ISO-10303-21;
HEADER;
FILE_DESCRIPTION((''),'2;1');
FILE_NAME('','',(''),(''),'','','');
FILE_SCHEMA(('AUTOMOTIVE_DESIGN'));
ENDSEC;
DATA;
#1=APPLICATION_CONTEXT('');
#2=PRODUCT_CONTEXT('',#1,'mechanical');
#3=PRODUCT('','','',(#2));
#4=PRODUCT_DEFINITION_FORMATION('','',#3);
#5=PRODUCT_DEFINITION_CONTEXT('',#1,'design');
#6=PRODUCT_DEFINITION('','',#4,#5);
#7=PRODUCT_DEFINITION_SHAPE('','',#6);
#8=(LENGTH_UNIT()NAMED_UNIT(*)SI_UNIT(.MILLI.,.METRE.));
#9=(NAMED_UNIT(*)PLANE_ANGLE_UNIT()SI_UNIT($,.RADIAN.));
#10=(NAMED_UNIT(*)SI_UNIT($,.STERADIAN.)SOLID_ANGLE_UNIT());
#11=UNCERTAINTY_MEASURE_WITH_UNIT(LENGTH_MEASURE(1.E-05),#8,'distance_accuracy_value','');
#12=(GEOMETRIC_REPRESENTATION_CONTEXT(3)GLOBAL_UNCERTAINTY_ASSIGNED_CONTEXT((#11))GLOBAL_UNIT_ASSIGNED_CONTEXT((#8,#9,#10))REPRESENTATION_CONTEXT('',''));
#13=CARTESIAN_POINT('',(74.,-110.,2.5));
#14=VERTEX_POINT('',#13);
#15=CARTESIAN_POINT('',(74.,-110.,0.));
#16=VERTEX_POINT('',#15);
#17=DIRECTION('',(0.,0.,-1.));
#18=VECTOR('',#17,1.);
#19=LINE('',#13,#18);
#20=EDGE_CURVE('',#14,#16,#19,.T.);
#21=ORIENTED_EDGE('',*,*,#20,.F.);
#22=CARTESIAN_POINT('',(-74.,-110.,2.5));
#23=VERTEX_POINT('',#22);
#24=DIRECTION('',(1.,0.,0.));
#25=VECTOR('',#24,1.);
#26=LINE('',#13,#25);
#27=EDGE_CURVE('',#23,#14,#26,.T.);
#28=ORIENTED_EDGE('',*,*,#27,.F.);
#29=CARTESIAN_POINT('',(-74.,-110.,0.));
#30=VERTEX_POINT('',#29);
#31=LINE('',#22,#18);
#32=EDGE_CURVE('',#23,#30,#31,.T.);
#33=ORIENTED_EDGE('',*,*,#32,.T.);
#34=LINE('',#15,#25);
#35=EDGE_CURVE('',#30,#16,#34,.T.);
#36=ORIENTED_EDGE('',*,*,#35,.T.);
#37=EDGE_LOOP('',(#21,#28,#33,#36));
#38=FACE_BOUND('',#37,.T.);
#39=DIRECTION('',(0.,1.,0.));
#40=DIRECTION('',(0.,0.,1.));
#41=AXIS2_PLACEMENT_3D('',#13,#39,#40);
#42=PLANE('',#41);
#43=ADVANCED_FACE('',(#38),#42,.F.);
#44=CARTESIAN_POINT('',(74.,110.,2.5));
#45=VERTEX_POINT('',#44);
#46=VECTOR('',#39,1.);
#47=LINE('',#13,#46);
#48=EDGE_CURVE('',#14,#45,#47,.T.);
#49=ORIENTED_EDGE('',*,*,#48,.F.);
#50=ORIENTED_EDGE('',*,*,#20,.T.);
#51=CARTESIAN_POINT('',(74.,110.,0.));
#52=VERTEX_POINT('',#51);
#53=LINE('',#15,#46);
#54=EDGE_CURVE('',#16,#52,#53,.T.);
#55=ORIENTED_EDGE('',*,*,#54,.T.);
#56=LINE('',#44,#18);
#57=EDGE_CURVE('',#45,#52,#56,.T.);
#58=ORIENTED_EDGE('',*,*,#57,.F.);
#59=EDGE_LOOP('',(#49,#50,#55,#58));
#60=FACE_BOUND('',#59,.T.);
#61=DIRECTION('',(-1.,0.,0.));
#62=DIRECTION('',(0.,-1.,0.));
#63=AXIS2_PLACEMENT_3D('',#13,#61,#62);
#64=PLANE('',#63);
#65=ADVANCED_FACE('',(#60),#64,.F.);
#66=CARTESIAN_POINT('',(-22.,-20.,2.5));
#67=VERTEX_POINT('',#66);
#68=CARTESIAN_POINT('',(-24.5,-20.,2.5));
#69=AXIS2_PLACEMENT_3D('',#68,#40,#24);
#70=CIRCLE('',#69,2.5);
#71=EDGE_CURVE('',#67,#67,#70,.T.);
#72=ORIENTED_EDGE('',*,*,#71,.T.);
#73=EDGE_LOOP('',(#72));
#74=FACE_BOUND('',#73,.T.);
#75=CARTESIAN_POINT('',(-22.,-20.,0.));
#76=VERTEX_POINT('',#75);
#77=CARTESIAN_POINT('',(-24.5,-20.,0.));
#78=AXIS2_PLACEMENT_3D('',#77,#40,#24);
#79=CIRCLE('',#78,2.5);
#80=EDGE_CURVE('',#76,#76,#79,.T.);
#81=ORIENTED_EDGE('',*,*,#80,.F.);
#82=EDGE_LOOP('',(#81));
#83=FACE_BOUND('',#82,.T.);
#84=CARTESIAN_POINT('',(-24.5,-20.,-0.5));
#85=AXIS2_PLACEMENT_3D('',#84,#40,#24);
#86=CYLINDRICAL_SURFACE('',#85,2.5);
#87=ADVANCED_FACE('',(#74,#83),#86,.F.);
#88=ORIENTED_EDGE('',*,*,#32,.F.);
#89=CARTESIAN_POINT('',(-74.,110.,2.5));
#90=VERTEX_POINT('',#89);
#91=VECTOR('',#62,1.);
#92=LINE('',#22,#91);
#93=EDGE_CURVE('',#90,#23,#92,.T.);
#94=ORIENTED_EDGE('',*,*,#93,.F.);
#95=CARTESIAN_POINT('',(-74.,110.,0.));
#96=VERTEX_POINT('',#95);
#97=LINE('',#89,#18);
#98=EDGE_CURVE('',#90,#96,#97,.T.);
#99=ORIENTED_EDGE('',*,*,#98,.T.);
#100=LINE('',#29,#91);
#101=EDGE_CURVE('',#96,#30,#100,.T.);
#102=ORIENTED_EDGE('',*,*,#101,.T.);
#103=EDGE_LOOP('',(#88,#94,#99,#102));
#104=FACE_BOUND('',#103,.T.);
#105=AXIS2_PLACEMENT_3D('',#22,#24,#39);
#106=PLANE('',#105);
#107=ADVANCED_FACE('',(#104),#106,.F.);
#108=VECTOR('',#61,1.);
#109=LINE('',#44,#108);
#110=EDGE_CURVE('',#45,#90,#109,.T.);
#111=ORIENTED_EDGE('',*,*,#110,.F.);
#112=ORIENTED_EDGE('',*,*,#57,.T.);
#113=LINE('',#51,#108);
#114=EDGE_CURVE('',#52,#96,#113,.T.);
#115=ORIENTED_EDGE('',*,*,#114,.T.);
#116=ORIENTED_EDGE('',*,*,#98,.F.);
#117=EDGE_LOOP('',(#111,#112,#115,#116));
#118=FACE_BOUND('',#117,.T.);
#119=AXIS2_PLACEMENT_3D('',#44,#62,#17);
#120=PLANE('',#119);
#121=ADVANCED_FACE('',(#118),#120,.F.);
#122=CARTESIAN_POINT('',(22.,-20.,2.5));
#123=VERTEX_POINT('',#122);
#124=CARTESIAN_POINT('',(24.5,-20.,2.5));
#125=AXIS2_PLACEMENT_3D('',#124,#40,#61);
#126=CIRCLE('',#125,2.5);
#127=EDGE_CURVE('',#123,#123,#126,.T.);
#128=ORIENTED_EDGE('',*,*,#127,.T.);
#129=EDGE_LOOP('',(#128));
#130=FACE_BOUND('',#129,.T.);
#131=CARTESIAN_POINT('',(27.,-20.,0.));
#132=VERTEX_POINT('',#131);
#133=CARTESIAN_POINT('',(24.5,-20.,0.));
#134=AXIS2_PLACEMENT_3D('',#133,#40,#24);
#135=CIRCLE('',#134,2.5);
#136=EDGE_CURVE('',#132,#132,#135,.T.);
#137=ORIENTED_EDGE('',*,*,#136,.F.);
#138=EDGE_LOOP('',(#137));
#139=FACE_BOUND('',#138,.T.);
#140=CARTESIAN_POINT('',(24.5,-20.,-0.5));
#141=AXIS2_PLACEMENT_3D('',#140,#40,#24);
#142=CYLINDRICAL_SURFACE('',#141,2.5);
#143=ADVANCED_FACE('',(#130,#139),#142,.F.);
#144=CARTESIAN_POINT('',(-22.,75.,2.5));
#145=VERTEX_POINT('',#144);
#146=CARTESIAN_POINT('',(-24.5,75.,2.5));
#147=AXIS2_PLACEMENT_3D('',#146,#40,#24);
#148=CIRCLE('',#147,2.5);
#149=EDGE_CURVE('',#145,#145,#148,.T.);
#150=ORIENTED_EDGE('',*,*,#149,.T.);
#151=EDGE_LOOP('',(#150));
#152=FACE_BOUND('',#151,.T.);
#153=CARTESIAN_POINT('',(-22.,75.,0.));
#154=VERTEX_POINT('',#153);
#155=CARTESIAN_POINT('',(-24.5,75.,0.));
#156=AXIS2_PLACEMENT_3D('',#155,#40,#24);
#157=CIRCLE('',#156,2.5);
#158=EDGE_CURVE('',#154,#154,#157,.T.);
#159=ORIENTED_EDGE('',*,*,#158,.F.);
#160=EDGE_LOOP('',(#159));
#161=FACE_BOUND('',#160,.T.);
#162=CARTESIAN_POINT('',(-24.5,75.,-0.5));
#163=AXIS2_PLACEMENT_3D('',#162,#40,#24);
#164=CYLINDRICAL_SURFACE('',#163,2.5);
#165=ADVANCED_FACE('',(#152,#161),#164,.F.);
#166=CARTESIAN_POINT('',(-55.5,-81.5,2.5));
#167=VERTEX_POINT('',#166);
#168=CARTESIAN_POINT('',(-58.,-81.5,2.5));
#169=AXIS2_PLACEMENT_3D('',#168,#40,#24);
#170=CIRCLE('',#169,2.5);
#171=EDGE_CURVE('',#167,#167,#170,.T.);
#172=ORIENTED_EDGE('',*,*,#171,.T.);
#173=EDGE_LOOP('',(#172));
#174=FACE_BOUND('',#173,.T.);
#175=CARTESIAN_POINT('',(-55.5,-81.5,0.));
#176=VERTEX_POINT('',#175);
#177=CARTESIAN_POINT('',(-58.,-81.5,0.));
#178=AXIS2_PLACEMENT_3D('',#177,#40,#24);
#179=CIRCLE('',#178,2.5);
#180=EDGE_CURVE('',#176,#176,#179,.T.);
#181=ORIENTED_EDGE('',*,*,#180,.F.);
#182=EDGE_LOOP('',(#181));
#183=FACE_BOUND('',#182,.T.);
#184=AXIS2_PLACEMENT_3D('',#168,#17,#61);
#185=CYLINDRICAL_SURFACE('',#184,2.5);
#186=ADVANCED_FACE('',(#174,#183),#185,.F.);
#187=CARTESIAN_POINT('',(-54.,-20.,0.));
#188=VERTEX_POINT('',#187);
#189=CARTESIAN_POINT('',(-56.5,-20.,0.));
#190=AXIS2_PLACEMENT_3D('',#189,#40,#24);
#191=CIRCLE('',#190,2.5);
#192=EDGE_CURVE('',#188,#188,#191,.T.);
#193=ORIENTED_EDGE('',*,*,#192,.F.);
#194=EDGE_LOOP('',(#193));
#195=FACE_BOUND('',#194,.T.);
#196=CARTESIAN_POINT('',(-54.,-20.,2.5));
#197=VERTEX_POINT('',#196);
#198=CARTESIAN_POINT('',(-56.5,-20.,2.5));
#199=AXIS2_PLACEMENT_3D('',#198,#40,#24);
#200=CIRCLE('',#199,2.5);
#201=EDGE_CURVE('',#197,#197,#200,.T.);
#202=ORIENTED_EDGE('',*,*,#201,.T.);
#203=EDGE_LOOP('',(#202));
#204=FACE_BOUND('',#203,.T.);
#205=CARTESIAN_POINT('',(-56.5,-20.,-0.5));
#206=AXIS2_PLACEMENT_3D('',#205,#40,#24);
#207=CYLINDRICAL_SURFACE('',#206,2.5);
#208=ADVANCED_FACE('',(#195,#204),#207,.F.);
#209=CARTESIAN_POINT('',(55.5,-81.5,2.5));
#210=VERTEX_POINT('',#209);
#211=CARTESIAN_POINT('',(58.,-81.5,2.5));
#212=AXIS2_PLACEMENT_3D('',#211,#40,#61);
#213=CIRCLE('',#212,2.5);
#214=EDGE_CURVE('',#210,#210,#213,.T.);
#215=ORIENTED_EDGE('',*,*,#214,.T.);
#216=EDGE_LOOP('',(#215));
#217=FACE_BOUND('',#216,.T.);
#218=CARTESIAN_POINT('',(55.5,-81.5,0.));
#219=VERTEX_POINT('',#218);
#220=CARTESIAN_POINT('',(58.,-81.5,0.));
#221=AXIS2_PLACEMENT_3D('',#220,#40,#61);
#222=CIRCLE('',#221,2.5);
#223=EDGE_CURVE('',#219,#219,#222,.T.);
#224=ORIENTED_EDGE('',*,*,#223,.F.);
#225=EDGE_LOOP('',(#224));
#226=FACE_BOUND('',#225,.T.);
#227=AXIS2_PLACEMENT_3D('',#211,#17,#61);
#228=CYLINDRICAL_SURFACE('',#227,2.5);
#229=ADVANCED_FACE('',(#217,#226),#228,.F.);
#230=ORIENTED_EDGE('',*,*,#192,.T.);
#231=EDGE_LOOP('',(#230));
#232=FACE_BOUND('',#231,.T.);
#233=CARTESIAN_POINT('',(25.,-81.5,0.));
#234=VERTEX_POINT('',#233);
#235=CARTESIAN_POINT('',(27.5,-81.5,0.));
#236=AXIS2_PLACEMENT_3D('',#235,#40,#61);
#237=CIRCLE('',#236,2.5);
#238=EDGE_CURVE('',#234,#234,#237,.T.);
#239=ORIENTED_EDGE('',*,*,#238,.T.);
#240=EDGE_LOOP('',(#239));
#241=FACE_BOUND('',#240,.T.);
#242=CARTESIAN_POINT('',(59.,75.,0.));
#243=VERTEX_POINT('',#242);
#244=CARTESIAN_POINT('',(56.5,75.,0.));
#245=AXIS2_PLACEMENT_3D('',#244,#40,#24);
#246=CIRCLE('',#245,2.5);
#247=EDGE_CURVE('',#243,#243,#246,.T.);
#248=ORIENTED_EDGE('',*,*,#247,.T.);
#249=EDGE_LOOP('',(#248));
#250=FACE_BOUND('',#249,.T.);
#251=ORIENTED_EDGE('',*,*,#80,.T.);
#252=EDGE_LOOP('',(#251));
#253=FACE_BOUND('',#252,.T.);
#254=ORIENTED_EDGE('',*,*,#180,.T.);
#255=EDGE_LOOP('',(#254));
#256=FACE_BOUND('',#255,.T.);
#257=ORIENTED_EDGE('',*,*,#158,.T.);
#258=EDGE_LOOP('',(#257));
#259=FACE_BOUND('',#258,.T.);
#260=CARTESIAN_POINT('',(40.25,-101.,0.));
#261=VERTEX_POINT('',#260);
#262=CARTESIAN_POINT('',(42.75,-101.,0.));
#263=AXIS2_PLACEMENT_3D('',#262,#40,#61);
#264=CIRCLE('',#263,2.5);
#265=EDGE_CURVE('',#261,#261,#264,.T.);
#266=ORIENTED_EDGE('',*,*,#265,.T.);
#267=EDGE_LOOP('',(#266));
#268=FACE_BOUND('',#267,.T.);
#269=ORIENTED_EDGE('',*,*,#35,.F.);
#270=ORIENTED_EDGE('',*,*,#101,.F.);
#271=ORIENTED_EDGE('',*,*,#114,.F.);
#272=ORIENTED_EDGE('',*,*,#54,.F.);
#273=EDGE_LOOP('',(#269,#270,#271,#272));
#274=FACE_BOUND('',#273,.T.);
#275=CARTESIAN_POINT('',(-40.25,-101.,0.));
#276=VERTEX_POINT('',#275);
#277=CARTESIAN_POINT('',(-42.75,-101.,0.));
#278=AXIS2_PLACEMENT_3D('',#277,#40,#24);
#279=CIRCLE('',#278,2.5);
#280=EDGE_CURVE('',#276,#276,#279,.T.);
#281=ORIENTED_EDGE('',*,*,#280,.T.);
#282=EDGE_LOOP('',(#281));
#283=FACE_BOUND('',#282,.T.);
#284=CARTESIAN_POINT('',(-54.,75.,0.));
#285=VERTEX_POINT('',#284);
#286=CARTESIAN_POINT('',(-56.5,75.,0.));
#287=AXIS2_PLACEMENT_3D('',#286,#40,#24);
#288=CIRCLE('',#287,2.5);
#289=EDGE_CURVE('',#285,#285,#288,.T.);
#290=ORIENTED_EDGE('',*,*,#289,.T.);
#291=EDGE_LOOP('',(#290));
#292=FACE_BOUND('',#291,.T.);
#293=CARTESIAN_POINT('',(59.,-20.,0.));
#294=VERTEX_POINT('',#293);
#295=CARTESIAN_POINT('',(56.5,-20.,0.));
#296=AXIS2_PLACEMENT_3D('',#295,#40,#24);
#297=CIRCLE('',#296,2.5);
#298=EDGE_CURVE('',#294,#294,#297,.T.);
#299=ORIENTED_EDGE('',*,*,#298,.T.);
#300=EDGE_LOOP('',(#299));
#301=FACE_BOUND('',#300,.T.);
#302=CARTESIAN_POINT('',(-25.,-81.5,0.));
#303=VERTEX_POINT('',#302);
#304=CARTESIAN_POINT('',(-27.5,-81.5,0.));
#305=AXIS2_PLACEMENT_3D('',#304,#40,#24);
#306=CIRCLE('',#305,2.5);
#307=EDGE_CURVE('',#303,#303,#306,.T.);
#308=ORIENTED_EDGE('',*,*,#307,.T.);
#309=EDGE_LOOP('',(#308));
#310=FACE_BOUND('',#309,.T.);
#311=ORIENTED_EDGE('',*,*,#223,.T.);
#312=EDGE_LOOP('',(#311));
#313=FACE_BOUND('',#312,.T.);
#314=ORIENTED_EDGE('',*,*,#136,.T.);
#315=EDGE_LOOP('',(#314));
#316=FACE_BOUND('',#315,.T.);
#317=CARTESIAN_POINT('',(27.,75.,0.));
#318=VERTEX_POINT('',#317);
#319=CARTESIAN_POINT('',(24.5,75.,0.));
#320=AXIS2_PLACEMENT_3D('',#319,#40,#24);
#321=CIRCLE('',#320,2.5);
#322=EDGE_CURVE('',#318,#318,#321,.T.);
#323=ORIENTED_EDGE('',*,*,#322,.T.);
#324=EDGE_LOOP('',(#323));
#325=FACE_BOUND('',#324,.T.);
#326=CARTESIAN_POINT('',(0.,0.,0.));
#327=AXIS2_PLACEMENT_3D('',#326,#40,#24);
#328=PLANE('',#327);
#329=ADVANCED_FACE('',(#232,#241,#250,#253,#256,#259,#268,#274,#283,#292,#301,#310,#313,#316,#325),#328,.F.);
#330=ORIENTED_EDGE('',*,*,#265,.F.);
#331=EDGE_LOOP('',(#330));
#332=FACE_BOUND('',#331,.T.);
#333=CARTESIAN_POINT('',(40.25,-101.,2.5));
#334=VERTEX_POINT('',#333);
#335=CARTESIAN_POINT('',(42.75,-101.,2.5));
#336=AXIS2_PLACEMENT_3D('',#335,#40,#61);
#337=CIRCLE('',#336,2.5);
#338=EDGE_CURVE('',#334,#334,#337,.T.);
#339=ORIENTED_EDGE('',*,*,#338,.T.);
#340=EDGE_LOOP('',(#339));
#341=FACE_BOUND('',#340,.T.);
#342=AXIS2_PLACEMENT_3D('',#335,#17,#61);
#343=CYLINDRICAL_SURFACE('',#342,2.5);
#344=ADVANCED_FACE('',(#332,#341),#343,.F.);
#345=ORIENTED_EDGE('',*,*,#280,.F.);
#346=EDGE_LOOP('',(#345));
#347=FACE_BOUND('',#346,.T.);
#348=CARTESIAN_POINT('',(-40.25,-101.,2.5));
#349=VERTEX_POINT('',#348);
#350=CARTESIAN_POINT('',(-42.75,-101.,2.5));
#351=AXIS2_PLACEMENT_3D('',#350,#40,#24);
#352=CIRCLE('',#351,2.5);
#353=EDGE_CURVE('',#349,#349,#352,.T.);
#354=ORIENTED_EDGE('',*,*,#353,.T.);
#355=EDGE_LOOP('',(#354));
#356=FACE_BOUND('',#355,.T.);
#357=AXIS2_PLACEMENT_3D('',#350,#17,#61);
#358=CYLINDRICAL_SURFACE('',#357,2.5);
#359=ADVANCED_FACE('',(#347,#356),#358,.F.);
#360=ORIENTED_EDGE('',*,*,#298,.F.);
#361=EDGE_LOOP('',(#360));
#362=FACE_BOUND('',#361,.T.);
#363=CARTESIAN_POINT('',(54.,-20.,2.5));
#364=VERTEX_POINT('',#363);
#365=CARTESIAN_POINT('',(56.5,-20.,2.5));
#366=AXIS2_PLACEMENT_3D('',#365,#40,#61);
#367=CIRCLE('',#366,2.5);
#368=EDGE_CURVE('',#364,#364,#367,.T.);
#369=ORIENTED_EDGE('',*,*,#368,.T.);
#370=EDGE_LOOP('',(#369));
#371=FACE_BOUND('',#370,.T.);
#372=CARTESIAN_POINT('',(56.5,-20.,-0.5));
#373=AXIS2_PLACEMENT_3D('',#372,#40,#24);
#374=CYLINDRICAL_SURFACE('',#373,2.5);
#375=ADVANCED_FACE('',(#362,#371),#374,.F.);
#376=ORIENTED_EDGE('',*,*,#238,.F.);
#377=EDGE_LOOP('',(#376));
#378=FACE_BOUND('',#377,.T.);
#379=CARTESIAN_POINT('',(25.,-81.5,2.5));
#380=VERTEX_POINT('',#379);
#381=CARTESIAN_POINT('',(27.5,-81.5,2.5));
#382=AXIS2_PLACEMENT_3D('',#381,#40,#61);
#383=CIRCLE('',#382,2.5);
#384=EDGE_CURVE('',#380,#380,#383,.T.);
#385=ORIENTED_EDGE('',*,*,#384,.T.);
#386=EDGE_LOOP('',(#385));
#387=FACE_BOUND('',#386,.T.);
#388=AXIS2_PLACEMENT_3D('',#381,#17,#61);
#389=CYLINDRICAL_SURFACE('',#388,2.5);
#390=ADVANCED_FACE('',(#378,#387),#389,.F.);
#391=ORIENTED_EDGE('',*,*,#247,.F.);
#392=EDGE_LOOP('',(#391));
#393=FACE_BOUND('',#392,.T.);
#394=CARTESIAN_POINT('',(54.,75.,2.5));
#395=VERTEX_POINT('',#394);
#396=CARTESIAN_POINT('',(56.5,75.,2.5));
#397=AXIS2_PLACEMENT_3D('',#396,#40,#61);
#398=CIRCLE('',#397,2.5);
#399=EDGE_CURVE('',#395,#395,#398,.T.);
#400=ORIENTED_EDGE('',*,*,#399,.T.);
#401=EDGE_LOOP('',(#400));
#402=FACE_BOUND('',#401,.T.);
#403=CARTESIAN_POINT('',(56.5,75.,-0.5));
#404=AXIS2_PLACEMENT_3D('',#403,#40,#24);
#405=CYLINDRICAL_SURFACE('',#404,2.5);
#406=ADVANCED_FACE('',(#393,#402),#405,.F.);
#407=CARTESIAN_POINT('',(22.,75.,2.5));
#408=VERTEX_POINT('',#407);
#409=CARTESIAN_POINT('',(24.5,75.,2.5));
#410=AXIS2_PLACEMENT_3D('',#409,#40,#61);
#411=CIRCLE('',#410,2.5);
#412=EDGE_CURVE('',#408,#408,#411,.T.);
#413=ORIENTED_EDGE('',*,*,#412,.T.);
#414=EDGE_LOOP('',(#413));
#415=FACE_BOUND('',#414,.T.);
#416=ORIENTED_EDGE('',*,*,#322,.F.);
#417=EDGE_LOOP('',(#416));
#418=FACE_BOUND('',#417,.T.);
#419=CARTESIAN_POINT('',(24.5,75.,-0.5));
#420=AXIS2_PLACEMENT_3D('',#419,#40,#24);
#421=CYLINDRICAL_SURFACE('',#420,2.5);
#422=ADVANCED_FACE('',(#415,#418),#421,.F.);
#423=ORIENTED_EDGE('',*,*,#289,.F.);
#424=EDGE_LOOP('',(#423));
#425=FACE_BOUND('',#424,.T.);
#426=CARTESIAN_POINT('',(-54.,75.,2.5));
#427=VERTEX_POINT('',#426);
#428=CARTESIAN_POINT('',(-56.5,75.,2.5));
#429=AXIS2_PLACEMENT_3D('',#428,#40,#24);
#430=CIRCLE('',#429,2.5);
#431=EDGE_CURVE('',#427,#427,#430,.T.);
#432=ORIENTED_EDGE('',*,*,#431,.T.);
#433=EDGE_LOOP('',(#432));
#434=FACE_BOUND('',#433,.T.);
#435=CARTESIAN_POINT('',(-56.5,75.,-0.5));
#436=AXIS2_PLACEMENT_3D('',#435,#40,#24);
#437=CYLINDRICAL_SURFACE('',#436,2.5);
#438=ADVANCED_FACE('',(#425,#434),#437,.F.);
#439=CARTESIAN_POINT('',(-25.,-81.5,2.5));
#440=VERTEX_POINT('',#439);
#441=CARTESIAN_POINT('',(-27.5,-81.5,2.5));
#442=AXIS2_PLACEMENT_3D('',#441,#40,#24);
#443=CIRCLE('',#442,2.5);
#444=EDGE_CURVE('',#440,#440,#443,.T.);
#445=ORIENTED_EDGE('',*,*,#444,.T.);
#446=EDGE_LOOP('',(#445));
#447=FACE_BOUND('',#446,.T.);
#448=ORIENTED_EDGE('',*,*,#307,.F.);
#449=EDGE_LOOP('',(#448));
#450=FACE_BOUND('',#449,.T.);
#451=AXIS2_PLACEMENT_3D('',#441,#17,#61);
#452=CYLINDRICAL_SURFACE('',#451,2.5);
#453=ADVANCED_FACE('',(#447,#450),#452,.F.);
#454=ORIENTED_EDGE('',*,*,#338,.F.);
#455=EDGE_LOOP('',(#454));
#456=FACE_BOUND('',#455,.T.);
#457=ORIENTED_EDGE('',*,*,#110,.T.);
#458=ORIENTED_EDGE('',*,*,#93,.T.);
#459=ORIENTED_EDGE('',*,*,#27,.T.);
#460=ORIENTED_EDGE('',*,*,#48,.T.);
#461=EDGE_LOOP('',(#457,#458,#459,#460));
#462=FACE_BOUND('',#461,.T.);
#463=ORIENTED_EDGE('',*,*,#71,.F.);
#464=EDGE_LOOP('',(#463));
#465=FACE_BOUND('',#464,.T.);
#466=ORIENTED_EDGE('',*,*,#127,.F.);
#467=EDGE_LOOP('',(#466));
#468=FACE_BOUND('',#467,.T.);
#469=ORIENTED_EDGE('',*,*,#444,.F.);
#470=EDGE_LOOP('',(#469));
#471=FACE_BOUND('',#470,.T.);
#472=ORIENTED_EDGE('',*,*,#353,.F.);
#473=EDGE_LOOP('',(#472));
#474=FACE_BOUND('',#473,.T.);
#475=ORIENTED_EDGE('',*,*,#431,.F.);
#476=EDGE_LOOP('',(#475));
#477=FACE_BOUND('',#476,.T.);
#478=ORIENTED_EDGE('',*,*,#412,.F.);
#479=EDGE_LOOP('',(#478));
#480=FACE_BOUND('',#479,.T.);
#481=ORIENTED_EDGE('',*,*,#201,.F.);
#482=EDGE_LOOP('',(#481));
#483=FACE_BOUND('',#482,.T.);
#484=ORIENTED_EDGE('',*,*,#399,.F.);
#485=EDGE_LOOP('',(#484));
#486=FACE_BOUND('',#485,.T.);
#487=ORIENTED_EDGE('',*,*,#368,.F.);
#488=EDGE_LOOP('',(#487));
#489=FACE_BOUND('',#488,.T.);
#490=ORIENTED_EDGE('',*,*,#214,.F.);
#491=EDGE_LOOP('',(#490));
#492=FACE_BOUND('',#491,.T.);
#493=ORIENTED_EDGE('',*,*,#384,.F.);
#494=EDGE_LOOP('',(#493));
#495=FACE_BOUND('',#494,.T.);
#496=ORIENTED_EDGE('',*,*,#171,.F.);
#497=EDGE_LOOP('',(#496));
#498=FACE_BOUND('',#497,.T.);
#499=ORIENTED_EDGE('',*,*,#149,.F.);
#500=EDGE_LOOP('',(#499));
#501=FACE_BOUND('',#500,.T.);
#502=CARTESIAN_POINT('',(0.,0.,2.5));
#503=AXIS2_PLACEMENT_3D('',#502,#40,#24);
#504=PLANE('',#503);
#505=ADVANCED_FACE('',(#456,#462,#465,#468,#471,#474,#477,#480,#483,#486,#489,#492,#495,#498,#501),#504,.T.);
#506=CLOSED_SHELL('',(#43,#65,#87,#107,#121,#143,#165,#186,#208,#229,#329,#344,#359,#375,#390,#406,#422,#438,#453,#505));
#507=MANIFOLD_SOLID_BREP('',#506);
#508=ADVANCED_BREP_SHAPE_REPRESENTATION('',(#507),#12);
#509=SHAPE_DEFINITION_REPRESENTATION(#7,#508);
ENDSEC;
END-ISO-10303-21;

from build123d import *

# Parameters (mm, degrees)
SKETCH_1_W          = 148
SKETCH_1_H          = 220
SKETCH_1_R          = 2.5
EXTRUDE_1_DEPTH     = 2.5
SKETCH_2_R          = 2.5
CUT_EXTRUDE_1_DEPTH = 3


with BuildPart() as part:
    # 草图1 → 凸台-拉伸1 (new body)
    with BuildSketch(Plane.XY):
        Rectangle(SKETCH_1_W, SKETCH_1_H)
        with Locations((-58, -81.5)):
            Circle(SKETCH_1_R, mode=Mode.SUBTRACT)
        with Locations((-27.5, -81.5)):
            Circle(SKETCH_1_R, mode=Mode.SUBTRACT)
        with Locations((-42.75, -101)):
            Circle(SKETCH_1_R, mode=Mode.SUBTRACT)
        with Locations((42.75, -101)):
            Circle(SKETCH_1_R, mode=Mode.SUBTRACT)
        with Locations((58, -81.5)):
            Circle(SKETCH_1_R, mode=Mode.SUBTRACT)
        with Locations((27.5, -81.5)):
            Circle(SKETCH_1_R, mode=Mode.SUBTRACT)
    extrude(amount=EXTRUDE_1_DEPTH)

    # 草图2 → 切除-拉伸1 (cut)
    with BuildSketch(Plane.XY.offset(2.5)):
        with Locations((-56.5, -20)):
            Circle(SKETCH_2_R)
        with Locations((-24.5, -20)):
            Circle(SKETCH_2_R)
        with Locations((-56.5, 75)):
            Circle(SKETCH_2_R)
        with Locations((-24.5, 75)):
            Circle(SKETCH_2_R)
        with Locations((-56.5, 170)):
            Circle(SKETCH_2_R)
        with Locations((-24.5, 170)):
            Circle(SKETCH_2_R)
        with Locations((24.5, 170)):
            Circle(SKETCH_2_R)
        with Locations((56.5, 170)):
            Circle(SKETCH_2_R)
        with Locations((24.5, 75)):
            Circle(SKETCH_2_R)
        with Locations((56.5, 75)):
            Circle(SKETCH_2_R)
        with Locations((24.5, -20)):
            Circle(SKETCH_2_R)
        with Locations((56.5, -20)):
            Circle(SKETCH_2_R)
    extrude(amount=-CUT_EXTRUDE_1_DEPTH, mode=Mode.SUBTRACT)


solid = part.part
